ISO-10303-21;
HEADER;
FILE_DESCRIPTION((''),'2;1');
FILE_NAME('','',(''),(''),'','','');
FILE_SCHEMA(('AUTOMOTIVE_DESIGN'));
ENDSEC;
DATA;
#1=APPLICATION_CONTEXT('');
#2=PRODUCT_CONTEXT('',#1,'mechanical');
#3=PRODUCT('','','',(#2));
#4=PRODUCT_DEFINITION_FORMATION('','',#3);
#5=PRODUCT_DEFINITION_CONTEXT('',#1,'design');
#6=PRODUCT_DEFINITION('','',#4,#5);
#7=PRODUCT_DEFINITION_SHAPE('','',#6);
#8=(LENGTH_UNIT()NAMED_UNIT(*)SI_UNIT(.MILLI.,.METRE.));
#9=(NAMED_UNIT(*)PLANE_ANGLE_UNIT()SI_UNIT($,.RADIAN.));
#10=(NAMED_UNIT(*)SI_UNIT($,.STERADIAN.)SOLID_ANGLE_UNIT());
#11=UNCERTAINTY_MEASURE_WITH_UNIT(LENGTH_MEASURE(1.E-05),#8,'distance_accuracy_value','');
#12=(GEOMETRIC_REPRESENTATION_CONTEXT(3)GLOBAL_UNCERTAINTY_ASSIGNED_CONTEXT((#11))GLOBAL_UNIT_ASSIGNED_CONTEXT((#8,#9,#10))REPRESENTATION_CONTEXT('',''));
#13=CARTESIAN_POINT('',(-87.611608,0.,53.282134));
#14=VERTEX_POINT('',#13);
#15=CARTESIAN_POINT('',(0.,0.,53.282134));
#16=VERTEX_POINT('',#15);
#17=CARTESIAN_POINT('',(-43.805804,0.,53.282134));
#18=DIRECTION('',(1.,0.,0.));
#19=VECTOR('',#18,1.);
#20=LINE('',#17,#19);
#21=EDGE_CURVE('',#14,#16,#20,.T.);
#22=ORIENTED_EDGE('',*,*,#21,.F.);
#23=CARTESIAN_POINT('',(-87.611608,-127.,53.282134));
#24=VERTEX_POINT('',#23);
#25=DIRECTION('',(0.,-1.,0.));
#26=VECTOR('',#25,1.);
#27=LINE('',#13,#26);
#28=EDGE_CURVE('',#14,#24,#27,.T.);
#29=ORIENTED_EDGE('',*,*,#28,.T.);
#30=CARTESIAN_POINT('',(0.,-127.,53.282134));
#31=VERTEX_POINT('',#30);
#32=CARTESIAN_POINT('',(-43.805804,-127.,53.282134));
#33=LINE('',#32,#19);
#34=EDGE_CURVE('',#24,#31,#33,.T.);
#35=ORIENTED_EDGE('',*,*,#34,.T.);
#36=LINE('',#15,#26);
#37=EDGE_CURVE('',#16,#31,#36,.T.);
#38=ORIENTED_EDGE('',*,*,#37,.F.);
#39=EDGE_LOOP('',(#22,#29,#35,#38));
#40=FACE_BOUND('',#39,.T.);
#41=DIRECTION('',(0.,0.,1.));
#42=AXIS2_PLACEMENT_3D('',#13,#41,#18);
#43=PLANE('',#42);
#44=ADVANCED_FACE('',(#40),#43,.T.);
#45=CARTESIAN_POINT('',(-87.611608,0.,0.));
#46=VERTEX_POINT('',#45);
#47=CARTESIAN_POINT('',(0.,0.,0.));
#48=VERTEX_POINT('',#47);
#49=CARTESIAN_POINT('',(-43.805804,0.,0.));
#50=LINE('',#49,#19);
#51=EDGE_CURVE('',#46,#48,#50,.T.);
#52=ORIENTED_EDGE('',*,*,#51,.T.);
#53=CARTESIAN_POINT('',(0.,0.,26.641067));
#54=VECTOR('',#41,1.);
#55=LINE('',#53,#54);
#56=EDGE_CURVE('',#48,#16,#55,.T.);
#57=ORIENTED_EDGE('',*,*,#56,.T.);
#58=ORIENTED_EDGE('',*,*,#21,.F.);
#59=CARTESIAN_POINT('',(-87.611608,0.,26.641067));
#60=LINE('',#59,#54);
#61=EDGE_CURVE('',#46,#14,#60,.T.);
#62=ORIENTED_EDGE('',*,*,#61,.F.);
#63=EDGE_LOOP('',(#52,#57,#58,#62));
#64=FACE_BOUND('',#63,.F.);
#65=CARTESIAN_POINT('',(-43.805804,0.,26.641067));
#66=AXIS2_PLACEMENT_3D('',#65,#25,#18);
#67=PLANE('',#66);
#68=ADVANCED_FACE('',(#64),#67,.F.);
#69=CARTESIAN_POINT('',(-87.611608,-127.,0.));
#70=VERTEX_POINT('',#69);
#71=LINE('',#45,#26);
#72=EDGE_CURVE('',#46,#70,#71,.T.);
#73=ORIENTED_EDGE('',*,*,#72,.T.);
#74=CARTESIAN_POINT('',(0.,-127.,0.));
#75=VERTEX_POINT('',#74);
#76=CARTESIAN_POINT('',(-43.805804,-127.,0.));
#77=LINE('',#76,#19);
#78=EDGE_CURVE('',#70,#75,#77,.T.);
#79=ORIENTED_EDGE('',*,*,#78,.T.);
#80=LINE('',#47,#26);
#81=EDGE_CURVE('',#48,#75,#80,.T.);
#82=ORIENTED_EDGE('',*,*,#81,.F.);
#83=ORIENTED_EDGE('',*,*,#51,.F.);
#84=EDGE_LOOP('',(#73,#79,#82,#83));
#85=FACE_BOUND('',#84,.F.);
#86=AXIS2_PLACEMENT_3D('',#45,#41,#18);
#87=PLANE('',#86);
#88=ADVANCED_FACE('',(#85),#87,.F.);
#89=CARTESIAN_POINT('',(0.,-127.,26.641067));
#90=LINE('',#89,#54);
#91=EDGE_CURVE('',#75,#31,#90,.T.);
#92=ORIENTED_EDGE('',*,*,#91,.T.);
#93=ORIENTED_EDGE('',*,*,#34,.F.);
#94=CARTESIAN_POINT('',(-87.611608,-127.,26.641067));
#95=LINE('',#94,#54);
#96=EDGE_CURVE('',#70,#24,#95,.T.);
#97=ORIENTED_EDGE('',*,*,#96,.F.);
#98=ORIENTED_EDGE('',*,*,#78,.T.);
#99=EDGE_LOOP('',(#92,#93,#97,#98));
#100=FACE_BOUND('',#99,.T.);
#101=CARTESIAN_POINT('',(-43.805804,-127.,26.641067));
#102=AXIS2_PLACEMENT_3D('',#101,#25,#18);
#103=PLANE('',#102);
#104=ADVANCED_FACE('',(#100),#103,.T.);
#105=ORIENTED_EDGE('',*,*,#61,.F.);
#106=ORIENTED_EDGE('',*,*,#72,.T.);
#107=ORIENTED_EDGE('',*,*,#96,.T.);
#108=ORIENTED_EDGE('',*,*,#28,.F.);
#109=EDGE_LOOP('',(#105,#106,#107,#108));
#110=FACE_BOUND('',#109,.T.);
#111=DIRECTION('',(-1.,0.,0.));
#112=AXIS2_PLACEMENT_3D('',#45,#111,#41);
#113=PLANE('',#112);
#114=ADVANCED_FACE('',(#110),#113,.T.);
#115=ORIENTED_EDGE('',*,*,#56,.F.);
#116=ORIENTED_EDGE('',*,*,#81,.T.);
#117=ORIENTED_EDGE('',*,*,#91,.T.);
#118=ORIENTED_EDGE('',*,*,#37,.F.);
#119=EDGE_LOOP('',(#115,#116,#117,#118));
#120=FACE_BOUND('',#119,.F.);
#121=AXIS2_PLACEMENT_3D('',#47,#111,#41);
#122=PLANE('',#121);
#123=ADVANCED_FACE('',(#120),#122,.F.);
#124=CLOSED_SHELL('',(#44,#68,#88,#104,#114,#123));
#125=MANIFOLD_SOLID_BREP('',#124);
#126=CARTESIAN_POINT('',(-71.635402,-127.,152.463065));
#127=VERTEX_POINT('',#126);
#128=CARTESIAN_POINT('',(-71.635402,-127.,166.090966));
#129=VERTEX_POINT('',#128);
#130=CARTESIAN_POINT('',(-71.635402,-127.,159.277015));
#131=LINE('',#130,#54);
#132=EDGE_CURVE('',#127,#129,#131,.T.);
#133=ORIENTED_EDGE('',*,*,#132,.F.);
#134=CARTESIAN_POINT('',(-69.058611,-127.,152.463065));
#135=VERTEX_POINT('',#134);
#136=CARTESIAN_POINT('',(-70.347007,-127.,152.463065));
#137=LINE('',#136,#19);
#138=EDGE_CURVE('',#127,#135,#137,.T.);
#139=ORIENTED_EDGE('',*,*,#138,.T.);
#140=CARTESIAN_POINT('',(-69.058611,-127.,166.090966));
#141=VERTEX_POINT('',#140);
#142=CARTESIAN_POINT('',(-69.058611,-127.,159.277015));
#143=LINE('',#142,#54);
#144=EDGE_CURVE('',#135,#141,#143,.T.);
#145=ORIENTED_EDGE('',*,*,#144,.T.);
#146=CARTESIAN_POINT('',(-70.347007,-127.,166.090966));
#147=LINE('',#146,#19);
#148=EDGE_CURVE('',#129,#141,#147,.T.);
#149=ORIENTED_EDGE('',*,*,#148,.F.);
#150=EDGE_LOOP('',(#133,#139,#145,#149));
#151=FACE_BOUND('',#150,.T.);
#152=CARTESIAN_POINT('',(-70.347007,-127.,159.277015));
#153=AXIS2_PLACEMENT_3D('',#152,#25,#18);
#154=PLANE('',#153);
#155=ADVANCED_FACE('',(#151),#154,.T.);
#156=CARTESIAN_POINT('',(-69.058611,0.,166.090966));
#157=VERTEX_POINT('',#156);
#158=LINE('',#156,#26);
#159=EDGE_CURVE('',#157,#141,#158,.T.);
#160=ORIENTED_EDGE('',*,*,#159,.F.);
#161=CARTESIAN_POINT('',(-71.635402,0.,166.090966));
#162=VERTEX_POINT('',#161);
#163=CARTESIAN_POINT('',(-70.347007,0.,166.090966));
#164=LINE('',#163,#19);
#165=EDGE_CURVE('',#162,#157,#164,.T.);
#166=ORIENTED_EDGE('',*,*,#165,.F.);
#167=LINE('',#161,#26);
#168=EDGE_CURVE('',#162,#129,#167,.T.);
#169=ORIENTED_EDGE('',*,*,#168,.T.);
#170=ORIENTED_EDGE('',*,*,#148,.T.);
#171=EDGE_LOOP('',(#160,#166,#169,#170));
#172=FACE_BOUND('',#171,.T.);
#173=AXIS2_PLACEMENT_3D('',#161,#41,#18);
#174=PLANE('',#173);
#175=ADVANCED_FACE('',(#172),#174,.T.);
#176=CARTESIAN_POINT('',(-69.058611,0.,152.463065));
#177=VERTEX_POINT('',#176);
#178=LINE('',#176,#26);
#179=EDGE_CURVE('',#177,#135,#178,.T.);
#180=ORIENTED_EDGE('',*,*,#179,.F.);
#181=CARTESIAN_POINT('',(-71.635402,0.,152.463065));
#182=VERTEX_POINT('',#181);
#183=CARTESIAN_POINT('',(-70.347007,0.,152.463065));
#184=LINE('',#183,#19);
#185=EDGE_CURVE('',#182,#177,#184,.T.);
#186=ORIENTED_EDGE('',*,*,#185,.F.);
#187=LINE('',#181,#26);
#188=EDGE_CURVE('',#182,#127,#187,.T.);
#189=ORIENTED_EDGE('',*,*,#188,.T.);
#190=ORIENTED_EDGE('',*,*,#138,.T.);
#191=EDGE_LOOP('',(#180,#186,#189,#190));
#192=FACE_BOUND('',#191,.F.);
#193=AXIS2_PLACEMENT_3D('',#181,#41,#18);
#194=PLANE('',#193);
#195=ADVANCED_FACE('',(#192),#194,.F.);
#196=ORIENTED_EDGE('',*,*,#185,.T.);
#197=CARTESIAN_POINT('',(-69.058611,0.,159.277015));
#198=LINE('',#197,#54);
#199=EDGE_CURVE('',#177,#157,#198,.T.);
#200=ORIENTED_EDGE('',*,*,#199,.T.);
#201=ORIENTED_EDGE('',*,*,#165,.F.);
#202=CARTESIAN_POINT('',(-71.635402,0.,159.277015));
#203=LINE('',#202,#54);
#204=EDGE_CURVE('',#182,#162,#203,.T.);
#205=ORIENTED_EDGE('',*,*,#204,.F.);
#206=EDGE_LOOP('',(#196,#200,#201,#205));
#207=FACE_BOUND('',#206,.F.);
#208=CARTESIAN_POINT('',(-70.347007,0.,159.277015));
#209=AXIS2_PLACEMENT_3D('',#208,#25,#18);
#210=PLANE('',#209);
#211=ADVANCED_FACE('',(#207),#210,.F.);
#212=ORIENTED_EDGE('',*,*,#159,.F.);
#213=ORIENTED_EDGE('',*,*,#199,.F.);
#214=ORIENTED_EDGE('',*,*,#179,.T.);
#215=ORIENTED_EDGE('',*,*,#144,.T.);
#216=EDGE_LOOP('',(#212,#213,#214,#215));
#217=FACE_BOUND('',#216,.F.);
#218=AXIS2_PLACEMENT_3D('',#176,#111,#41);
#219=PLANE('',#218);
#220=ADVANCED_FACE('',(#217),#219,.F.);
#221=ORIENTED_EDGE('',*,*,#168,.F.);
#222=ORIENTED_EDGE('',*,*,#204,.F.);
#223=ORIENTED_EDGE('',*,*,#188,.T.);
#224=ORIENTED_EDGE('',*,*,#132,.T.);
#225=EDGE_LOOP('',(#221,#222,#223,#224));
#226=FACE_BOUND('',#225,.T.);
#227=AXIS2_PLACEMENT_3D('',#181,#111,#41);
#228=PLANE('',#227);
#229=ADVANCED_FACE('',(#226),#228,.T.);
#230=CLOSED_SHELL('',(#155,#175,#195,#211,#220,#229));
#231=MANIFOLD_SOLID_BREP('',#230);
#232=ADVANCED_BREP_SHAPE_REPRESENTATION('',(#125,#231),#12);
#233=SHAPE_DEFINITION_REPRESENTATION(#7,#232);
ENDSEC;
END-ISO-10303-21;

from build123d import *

# Parameters (mm, degrees)
F0_W     = 87.611608
F0_H     = 53.282134
F0_W_2   = 2.576791
F0_H_2   = 13.627901
F1_DEPTH = 127


with BuildPart() as f1:
    # F0 (on Front) → F1 (new body)
    with BuildSketch(Plane.XZ):
        with Locations((-43.805804, 26.641067)):
            Rectangle(F0_W, F0_H)
        with Locations((-70.347007, 159.277015)):
            Rectangle(F0_W_2, F0_H_2)
    extrude(amount=F1_DEPTH)


solid = f1.part
